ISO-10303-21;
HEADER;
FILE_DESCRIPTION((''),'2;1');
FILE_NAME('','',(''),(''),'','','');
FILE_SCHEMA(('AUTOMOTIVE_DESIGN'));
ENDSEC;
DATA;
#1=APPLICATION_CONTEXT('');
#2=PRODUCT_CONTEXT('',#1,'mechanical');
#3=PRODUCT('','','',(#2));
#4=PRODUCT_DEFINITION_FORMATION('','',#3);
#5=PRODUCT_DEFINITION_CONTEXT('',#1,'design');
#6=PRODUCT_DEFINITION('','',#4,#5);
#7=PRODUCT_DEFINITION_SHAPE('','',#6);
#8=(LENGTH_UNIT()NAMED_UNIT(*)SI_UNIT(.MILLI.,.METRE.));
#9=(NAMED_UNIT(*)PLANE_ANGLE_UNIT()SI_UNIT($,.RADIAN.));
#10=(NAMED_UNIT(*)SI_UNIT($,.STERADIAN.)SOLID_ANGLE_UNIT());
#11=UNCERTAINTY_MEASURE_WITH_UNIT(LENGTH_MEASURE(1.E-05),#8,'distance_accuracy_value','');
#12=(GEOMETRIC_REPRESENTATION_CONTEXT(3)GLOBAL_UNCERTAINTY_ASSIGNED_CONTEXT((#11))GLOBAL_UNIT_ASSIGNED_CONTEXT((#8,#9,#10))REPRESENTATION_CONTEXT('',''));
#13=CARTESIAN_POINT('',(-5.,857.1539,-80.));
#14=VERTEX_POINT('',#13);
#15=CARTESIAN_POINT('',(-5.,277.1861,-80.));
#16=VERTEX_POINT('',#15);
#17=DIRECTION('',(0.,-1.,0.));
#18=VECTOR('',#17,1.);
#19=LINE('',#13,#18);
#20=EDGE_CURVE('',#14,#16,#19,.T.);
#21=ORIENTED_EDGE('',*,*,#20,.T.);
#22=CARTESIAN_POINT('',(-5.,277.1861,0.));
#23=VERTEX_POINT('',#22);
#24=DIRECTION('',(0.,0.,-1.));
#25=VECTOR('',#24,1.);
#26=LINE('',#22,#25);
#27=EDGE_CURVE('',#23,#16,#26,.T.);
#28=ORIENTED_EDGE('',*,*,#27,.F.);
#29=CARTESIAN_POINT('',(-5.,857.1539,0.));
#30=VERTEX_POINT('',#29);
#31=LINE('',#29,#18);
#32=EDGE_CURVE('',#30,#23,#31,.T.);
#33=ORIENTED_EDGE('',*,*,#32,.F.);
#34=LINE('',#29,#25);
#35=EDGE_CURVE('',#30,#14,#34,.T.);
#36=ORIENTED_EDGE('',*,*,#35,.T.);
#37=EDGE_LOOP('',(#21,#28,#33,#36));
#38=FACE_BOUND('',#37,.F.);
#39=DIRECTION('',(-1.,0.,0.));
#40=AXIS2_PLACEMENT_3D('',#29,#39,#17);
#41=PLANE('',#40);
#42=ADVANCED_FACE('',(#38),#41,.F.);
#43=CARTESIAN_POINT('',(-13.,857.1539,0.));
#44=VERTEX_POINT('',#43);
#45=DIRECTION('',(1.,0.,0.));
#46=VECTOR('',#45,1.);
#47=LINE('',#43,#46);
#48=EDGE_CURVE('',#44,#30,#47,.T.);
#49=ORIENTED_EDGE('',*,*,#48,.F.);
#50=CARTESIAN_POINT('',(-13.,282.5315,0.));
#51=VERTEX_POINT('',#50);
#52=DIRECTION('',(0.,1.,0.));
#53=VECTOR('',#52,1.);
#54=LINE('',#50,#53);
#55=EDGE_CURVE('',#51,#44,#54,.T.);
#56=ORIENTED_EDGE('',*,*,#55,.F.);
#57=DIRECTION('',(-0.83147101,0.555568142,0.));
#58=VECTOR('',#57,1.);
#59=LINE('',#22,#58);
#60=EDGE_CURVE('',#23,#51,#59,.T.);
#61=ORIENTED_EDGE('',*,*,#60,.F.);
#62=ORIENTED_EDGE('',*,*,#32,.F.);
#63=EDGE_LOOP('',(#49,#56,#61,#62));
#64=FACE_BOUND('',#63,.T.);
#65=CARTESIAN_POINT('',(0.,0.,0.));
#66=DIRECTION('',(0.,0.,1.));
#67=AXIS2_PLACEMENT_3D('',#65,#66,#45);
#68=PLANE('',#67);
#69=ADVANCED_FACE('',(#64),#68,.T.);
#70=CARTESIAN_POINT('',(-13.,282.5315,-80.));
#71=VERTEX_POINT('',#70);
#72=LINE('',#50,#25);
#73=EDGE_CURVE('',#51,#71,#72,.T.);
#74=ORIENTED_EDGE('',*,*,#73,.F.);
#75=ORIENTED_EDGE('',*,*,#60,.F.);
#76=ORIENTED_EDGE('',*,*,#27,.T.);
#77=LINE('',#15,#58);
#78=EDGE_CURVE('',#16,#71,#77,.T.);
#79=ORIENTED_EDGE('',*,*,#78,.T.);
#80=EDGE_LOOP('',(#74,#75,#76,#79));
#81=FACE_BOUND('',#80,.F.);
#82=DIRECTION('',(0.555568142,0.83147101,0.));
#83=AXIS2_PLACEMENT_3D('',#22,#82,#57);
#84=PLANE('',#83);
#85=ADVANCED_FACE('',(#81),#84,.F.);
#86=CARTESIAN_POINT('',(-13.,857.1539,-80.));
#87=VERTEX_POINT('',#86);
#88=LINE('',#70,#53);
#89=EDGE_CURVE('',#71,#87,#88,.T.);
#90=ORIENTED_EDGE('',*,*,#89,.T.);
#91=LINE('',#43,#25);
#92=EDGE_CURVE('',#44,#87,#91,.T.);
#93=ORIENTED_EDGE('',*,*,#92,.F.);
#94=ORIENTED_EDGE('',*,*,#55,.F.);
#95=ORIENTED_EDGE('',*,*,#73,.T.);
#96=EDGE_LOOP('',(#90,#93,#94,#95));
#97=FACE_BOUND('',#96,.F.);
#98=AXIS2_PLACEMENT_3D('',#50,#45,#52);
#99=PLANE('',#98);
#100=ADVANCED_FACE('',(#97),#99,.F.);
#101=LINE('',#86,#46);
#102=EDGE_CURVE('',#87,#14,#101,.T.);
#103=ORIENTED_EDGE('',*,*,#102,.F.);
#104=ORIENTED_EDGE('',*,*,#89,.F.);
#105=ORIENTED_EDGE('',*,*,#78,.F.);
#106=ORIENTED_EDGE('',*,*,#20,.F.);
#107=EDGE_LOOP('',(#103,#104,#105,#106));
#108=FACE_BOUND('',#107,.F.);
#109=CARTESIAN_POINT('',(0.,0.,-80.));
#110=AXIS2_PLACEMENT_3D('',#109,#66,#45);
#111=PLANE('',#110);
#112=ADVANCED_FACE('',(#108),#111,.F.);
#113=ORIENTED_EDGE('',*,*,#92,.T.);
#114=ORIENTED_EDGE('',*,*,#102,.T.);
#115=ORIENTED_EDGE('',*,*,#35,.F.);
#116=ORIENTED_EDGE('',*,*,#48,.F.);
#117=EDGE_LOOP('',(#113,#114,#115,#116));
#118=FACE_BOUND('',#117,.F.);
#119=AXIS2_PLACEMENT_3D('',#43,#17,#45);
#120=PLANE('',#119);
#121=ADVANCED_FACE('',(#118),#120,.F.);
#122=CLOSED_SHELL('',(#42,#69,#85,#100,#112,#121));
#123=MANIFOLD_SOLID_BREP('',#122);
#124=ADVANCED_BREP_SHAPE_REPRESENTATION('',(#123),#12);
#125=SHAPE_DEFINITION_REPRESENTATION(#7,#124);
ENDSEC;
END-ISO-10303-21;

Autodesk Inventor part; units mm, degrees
ref_plane "YZ Plane" through (0, 0, 0) normal (1, 0, 0) x (0, 1, 0)
ref_plane "XZ Plane" through (0, 0, 0) normal (0, 1, 0) x (-1, 0, 0)
ref_plane "XY Plane" through (0, 0, 0) normal (0, 0, 1) x (1, 0, 0)
sketch "Sketch1" plane through (0, 0, 0) normal (0, 0, 1) x (1, 0, 0)
  line L0 (0, 273.8452) -> (193.6378, 193.6378) construction
  line L1 (193.6378, 193.6378) -> (273.8452, 0) construction
  line L2 (273.8452, 0) -> (193.6378, -193.6378) construction
  line L3 (193.6378, -193.6378) -> (0, -273.8452) construction
  line L4 (0, -273.8452) -> (-193.6378, -193.6378) construction
  line L5 (-193.6378, -193.6378) -> (-273.8452, 0) construction
  line L6 (-273.8452, 0) -> (-193.6378, 193.6378) construction
  line L7 (-193.6378, 193.6378) -> (0, 273.8452) construction
  line L8 (-193.6378, 193.6378) -> (0, 273.8452) construction
  line L9 (-459.9272, 770.6562) -> (-219.7185, 870.1539) construction
  line L10 (-96.8189, 233.7415) -> (-339.8229, 820.405) construction
  line L11 (-219.7185, 870.1539) -> (0, 870.1539) construction
  line L12 (0, 870.1539) -> (0, 273.8452) construction
  line L13 (-459.9272, 770.6562) -> (-615.2917, 615.2917) construction
  line L14 (-615.2917, 615.2917) -> (-193.6378, 193.6378) construction
  line L15 (-5, 277.1861) -> (-192.4647, 199.5357) construction
  line L16 (-192.4647, 199.5357) -> (-608.2206, 615.2917) construction
  line L17 (-608.2206, 615.2917) -> (-457.095, 766.4174) construction
  line L18 (-457.095, 766.4174) -> (-218.724, 865.1539) construction
  line L19 (-218.724, 865.1539) -> (-5, 865.1539) construction
  line L20 (-5, 865.1539) -> (-5, 277.1861) construction
  line L21 (-13, 282.5315) -> (-190.5876, 208.9724) construction
  line L22 (-190.5876, 208.9724) -> (-596.9069, 615.2917) construction
  line L23 (-596.9069, 615.2917) -> (-452.5633, 759.6353) construction
  line L24 (-452.5633, 759.6353) -> (-217.1327, 857.1539) construction
  line L25 (-217.1327, 857.1539) -> (-13, 857.1539) construction
  line L26 (-13, 857.1539) -> (-13, 282.5315) construction
  line L27 (-13, 857.1539) -> (-5, 857.1539)
  line L28 (-5, 857.1539) -> (-5, 277.1861)
  line L29 (-5, 277.1861) -> (-13, 282.5315)
  line L30 (-13, 282.5315) -> (-13, 857.1539)
  point P0 (0, 0)
  point P1 (0, 0)
  point P2 (0, 0)
  dimension "d0" = 506
  dimension "d1" = 260
  dimension "d2" = 635
  dimension "d10" = 5
  dimension "d11" = 8
extrude "Extrusion1" add sketch "Sketch1" against normal blind 80
equation "\"d0\" = Барабан_габарит_по_кассетам"
equation "\"d1\" = Кассета_длина_грани"
equation "\"d2\" = Кассета_высота"
equation "\"Барабан_габарит_по_кассетам\" = 506"
equation "\"Кассета_длина_грани\" = 260"
equation "\"Кассета_высота\" = 635"
properties part number "ДМФ 0123 Боковая часть"
